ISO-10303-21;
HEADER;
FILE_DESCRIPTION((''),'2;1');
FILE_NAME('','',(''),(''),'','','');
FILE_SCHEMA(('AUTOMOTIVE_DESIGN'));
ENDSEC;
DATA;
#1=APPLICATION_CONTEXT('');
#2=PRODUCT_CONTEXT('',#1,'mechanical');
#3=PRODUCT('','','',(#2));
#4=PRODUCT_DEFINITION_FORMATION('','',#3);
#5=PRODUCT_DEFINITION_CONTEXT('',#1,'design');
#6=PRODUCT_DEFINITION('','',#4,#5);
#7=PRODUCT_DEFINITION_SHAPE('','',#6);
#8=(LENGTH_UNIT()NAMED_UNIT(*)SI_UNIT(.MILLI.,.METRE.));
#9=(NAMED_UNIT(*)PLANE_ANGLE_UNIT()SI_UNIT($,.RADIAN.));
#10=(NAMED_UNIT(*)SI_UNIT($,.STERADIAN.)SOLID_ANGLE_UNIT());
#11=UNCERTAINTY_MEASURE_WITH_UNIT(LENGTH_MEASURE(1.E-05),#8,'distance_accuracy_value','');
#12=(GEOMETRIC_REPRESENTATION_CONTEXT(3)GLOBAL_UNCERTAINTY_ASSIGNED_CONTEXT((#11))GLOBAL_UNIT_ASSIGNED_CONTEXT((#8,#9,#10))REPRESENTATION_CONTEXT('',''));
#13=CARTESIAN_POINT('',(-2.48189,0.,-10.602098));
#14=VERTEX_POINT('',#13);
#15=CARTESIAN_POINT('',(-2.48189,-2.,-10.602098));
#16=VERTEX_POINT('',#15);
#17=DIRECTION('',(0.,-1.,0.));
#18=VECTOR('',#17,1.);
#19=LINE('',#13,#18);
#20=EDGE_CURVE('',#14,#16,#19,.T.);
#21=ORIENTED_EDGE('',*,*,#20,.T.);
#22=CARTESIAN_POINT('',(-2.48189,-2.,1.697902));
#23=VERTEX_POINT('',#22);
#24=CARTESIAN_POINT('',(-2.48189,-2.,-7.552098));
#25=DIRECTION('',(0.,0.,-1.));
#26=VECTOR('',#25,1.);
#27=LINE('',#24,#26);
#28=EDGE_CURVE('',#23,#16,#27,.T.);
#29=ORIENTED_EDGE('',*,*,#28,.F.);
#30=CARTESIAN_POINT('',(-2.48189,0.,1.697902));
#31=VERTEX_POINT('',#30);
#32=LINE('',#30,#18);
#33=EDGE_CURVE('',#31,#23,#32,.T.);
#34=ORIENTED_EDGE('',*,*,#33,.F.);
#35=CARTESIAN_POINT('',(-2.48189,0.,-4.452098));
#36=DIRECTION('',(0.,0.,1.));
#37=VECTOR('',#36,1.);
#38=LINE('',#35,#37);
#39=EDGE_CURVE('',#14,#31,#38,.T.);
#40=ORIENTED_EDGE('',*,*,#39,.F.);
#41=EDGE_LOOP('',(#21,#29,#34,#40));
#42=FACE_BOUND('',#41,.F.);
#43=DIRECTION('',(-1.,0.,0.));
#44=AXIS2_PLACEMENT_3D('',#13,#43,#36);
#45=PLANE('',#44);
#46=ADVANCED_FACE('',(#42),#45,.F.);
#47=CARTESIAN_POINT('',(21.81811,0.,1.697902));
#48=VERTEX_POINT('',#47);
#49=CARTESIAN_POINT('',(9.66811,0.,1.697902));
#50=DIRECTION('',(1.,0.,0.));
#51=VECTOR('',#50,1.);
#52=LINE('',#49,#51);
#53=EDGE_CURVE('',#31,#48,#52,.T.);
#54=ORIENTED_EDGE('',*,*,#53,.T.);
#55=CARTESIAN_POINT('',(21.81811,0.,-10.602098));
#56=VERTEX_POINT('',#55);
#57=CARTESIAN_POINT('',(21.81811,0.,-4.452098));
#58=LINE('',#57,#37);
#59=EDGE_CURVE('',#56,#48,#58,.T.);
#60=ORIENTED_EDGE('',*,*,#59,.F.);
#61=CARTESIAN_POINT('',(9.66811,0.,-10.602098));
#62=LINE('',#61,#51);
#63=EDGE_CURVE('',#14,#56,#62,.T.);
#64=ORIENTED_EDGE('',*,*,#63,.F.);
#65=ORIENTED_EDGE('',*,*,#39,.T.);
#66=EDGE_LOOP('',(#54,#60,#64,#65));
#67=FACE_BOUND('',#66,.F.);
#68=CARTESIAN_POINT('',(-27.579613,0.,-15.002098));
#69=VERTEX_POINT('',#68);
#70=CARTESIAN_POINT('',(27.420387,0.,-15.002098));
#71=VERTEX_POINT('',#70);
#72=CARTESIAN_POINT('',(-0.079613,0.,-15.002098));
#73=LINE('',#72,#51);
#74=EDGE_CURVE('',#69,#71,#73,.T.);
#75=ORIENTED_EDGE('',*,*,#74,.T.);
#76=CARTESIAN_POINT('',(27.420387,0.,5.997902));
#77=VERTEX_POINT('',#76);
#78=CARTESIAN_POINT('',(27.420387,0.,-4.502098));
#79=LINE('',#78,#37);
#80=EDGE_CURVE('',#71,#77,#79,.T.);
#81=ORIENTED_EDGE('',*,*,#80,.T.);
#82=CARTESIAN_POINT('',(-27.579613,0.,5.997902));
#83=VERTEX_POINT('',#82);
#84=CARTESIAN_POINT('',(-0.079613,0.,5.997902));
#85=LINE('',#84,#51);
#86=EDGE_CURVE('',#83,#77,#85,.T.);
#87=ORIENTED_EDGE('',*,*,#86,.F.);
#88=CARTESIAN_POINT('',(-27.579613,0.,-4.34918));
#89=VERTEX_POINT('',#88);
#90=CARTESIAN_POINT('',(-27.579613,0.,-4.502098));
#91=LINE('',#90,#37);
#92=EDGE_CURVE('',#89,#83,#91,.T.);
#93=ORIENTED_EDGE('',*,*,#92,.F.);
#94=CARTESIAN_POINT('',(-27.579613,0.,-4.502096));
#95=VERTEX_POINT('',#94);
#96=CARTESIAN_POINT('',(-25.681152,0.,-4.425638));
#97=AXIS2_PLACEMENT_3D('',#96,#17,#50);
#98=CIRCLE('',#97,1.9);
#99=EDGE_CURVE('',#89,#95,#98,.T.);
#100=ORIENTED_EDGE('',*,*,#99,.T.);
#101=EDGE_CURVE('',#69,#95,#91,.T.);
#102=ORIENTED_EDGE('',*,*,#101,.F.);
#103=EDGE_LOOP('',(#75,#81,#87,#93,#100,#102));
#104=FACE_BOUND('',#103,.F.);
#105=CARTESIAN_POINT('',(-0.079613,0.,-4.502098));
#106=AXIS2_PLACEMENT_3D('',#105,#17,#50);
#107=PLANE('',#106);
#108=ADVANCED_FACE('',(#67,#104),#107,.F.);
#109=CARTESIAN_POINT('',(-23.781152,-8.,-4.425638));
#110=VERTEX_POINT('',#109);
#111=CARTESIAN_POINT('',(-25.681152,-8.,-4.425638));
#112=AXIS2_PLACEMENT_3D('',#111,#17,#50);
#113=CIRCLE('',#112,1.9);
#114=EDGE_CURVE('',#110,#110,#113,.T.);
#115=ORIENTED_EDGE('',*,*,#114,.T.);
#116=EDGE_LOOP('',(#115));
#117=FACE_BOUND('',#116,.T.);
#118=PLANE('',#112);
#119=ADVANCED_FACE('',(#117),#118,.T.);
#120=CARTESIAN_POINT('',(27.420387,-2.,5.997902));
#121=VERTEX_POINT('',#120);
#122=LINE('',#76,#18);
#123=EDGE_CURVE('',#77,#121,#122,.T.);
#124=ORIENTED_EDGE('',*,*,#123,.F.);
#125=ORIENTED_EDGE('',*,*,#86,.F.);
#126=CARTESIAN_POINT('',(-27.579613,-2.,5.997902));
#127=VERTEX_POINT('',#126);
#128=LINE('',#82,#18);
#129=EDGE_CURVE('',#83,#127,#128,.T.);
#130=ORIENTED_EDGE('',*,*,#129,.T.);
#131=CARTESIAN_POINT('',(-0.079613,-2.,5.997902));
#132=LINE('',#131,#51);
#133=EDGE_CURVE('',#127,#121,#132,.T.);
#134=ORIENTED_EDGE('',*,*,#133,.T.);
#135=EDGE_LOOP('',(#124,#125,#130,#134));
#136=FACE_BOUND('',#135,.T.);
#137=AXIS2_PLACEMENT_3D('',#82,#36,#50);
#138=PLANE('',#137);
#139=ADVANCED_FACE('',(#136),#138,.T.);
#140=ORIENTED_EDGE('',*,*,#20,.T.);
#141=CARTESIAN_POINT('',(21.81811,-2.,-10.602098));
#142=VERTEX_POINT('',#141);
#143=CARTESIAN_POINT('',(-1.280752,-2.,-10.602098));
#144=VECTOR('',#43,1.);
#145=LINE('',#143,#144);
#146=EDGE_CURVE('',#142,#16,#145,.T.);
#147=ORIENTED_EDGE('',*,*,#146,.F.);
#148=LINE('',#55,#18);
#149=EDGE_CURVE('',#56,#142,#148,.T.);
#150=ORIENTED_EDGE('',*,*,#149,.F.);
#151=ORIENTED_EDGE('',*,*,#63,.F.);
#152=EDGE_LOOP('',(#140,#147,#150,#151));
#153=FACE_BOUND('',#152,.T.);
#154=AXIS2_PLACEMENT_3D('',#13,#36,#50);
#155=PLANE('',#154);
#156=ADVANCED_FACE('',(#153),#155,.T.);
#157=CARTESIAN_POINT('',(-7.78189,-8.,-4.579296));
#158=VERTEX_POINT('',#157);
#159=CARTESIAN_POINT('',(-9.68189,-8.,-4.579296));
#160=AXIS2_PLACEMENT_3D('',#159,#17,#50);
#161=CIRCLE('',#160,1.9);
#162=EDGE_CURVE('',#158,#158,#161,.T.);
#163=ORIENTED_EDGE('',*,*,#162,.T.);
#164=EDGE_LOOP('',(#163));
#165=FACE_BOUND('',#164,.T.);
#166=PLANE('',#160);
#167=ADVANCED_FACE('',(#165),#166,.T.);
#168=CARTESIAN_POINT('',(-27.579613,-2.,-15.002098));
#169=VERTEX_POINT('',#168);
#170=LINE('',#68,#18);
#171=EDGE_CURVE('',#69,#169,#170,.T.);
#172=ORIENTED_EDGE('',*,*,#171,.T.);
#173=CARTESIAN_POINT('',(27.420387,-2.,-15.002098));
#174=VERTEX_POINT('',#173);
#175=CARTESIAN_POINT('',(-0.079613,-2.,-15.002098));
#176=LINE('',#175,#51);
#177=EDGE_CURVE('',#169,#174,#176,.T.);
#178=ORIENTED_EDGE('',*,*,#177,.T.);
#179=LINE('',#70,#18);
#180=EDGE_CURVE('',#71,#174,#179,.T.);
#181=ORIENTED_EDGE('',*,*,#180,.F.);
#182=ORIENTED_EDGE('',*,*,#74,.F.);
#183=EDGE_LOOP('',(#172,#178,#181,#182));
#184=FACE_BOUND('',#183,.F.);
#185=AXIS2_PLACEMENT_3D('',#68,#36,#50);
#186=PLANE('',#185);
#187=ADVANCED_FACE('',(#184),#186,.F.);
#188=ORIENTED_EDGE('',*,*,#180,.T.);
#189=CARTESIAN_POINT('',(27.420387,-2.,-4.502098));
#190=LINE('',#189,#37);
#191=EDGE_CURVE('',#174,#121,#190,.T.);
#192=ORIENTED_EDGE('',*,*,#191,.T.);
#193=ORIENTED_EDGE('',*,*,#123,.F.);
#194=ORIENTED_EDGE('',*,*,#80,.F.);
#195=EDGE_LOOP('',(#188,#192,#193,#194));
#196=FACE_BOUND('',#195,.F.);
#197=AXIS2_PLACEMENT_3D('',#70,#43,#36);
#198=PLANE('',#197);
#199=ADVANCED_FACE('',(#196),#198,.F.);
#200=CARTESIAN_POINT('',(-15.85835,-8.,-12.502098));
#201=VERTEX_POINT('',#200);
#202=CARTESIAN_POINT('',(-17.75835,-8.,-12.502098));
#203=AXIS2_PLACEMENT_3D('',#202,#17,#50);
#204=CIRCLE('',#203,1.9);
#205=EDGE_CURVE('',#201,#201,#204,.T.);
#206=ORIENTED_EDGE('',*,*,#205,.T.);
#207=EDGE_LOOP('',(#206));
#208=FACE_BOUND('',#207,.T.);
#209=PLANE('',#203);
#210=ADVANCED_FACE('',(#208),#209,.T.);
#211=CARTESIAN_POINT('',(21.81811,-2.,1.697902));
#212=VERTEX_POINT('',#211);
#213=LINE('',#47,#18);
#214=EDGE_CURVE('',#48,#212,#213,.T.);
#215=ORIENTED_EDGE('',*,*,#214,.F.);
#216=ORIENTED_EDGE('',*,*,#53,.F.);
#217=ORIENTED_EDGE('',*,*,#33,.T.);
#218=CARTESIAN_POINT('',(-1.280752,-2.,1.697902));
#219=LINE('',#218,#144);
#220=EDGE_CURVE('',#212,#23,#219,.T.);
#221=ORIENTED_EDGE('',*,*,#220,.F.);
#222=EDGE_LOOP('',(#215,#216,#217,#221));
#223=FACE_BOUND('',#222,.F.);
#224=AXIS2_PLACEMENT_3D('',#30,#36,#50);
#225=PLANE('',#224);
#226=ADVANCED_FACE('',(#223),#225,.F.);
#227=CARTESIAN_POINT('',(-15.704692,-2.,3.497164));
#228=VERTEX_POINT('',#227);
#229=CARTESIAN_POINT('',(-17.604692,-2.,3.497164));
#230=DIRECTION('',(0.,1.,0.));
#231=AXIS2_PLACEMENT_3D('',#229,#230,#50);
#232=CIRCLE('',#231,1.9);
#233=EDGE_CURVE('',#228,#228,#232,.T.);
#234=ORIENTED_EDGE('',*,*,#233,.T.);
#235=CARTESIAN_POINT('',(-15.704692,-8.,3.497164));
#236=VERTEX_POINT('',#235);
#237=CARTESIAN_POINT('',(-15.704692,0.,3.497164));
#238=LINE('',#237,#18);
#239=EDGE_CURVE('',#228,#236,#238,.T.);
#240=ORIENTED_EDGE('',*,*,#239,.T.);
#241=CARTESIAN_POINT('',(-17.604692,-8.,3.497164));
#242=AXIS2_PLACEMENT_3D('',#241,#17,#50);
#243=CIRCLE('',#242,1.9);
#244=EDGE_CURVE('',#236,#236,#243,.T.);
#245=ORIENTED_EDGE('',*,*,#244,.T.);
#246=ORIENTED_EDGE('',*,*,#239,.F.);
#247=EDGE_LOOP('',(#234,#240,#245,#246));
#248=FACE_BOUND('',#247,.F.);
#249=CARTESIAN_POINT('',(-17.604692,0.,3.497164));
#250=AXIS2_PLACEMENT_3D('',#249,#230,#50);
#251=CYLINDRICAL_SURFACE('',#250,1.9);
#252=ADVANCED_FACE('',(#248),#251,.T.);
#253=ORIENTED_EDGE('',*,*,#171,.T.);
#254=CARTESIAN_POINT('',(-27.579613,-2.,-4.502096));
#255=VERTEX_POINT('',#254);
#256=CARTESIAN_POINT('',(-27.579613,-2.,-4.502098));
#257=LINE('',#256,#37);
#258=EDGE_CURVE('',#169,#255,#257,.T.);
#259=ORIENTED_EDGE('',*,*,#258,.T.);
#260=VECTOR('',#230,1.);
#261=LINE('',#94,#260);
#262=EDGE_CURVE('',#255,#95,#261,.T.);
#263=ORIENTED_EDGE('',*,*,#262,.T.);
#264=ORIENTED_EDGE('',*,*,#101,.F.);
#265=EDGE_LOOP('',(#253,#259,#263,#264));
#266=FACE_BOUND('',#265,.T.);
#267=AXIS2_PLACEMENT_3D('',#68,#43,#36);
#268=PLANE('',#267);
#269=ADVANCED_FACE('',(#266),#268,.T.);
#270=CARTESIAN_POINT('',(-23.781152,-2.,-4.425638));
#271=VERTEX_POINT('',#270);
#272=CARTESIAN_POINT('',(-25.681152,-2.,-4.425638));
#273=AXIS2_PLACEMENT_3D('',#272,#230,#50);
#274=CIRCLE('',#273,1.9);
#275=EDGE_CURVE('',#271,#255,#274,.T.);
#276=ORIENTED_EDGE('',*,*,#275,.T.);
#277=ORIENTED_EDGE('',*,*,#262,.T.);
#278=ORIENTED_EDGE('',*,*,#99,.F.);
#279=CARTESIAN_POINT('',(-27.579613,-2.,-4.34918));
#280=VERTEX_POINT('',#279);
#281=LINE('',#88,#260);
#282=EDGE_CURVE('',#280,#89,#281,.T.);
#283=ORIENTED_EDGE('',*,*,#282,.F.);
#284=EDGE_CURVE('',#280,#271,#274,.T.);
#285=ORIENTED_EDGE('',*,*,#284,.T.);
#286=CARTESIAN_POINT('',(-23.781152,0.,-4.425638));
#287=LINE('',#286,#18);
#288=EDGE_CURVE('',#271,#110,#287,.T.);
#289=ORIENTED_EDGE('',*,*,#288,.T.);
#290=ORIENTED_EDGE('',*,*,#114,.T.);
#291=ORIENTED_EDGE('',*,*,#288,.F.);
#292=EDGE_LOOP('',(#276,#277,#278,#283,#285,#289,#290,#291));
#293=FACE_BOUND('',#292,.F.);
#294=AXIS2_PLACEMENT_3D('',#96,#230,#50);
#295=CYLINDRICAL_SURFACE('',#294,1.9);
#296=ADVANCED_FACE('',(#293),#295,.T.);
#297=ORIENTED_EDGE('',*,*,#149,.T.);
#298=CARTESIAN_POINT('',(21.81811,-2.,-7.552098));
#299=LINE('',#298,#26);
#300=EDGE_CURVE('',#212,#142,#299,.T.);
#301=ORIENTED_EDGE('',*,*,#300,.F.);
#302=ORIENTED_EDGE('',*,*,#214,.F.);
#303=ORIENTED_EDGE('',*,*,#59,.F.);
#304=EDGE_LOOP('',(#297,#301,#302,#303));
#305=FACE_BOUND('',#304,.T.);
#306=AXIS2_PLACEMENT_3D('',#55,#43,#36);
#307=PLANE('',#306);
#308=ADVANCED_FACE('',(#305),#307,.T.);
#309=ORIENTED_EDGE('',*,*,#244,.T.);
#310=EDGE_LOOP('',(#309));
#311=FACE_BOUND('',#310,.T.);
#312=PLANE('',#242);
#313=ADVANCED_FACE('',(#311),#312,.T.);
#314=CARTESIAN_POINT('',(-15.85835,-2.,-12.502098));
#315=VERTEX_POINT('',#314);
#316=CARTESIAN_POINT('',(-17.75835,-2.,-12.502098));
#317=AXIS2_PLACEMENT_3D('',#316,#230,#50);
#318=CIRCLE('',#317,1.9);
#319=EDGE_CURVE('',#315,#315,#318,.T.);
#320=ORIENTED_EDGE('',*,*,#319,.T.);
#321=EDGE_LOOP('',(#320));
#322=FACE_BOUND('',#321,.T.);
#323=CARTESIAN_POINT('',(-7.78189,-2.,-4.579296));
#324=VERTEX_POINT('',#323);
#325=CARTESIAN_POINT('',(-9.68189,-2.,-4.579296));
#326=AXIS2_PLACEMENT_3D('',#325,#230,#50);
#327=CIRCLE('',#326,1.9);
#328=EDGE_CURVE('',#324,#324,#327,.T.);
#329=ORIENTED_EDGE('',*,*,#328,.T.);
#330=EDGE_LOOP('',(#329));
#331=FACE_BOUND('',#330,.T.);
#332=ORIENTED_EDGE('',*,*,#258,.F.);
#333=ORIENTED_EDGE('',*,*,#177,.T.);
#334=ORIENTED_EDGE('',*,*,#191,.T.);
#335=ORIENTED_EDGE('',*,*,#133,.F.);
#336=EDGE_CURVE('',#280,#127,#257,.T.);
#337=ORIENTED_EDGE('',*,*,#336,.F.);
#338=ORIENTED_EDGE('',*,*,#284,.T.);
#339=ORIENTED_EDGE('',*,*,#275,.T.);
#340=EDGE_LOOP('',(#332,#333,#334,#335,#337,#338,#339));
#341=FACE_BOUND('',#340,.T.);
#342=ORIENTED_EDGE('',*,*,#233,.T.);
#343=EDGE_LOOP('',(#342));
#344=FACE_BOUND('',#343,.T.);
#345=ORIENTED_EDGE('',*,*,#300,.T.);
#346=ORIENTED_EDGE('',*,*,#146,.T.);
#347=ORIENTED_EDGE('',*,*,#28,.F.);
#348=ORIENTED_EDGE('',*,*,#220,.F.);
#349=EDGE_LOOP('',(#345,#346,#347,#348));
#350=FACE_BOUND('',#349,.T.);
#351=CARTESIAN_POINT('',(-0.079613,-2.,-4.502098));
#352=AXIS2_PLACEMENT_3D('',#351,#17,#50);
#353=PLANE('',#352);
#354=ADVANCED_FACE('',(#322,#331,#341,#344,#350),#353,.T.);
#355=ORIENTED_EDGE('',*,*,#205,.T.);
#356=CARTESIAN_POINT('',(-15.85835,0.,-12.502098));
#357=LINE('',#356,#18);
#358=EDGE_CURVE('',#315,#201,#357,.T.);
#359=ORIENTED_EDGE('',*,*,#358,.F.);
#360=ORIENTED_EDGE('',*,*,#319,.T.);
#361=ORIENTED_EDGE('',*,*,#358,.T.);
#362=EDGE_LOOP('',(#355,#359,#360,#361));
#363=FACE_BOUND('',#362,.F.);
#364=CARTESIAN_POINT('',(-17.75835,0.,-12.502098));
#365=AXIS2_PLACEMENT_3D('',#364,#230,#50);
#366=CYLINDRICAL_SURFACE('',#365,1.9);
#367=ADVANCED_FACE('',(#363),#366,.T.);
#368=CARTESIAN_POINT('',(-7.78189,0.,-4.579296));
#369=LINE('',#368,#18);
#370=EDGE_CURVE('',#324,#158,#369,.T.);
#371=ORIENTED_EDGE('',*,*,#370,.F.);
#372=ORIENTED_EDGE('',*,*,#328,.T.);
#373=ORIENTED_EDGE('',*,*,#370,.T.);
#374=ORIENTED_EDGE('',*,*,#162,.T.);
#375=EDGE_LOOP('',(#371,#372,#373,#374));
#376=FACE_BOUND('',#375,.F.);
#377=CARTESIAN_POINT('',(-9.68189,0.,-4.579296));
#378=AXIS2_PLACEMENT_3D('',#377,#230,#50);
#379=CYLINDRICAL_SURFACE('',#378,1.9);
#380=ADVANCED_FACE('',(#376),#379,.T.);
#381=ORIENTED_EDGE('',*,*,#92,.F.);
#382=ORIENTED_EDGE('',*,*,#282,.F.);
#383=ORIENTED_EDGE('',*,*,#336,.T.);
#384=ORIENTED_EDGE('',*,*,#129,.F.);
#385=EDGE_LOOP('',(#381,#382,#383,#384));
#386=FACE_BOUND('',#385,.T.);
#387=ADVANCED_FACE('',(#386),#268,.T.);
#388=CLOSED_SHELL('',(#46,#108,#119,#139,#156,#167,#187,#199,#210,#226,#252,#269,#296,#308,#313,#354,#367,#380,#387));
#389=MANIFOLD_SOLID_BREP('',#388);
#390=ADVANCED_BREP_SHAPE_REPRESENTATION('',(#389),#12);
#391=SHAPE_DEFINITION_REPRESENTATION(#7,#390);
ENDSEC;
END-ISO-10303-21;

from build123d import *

# Parameters (mm, degrees)
F0_W     = 55
F0_H     = 21
F1_DEPTH = 2
F2_R     = 1.9
F3_DEPTH = 8
F4_W     = 24.3
F4_H     = 12.3
F5_DEPTH = 8.001


with BuildPart() as f1:
    # F0 (on Front) → F1 (new body)
    with BuildSketch(Plane.XZ):
        with Locations((-0.079613, -4.502098)):
            Rectangle(F0_W, F0_H)
    extrude(amount=F1_DEPTH)

    # F2 (on Front) → F3 (join)
    with BuildSketch(Plane.XZ):
        with Locations((-25.681152, -4.425638)):
            Circle(F2_R)
        with Locations((-17.604692, 3.497164)):
            Circle(F2_R)
        with Locations((-9.68189, -4.579296)):
            Circle(F2_R)
        with Locations((-17.75835, -12.502098)):
            Circle(F2_R)
    extrude(amount=F3_DEPTH)

    # F4 (on Front) → F5 (cut, through all)
    with BuildSketch(Plane.XZ):
        with Locations((9.66811, -4.452098)):
            Rectangle(F4_W, F4_H)
    extrude(amount=F5_DEPTH, mode=Mode.SUBTRACT)


solid = f1.part
